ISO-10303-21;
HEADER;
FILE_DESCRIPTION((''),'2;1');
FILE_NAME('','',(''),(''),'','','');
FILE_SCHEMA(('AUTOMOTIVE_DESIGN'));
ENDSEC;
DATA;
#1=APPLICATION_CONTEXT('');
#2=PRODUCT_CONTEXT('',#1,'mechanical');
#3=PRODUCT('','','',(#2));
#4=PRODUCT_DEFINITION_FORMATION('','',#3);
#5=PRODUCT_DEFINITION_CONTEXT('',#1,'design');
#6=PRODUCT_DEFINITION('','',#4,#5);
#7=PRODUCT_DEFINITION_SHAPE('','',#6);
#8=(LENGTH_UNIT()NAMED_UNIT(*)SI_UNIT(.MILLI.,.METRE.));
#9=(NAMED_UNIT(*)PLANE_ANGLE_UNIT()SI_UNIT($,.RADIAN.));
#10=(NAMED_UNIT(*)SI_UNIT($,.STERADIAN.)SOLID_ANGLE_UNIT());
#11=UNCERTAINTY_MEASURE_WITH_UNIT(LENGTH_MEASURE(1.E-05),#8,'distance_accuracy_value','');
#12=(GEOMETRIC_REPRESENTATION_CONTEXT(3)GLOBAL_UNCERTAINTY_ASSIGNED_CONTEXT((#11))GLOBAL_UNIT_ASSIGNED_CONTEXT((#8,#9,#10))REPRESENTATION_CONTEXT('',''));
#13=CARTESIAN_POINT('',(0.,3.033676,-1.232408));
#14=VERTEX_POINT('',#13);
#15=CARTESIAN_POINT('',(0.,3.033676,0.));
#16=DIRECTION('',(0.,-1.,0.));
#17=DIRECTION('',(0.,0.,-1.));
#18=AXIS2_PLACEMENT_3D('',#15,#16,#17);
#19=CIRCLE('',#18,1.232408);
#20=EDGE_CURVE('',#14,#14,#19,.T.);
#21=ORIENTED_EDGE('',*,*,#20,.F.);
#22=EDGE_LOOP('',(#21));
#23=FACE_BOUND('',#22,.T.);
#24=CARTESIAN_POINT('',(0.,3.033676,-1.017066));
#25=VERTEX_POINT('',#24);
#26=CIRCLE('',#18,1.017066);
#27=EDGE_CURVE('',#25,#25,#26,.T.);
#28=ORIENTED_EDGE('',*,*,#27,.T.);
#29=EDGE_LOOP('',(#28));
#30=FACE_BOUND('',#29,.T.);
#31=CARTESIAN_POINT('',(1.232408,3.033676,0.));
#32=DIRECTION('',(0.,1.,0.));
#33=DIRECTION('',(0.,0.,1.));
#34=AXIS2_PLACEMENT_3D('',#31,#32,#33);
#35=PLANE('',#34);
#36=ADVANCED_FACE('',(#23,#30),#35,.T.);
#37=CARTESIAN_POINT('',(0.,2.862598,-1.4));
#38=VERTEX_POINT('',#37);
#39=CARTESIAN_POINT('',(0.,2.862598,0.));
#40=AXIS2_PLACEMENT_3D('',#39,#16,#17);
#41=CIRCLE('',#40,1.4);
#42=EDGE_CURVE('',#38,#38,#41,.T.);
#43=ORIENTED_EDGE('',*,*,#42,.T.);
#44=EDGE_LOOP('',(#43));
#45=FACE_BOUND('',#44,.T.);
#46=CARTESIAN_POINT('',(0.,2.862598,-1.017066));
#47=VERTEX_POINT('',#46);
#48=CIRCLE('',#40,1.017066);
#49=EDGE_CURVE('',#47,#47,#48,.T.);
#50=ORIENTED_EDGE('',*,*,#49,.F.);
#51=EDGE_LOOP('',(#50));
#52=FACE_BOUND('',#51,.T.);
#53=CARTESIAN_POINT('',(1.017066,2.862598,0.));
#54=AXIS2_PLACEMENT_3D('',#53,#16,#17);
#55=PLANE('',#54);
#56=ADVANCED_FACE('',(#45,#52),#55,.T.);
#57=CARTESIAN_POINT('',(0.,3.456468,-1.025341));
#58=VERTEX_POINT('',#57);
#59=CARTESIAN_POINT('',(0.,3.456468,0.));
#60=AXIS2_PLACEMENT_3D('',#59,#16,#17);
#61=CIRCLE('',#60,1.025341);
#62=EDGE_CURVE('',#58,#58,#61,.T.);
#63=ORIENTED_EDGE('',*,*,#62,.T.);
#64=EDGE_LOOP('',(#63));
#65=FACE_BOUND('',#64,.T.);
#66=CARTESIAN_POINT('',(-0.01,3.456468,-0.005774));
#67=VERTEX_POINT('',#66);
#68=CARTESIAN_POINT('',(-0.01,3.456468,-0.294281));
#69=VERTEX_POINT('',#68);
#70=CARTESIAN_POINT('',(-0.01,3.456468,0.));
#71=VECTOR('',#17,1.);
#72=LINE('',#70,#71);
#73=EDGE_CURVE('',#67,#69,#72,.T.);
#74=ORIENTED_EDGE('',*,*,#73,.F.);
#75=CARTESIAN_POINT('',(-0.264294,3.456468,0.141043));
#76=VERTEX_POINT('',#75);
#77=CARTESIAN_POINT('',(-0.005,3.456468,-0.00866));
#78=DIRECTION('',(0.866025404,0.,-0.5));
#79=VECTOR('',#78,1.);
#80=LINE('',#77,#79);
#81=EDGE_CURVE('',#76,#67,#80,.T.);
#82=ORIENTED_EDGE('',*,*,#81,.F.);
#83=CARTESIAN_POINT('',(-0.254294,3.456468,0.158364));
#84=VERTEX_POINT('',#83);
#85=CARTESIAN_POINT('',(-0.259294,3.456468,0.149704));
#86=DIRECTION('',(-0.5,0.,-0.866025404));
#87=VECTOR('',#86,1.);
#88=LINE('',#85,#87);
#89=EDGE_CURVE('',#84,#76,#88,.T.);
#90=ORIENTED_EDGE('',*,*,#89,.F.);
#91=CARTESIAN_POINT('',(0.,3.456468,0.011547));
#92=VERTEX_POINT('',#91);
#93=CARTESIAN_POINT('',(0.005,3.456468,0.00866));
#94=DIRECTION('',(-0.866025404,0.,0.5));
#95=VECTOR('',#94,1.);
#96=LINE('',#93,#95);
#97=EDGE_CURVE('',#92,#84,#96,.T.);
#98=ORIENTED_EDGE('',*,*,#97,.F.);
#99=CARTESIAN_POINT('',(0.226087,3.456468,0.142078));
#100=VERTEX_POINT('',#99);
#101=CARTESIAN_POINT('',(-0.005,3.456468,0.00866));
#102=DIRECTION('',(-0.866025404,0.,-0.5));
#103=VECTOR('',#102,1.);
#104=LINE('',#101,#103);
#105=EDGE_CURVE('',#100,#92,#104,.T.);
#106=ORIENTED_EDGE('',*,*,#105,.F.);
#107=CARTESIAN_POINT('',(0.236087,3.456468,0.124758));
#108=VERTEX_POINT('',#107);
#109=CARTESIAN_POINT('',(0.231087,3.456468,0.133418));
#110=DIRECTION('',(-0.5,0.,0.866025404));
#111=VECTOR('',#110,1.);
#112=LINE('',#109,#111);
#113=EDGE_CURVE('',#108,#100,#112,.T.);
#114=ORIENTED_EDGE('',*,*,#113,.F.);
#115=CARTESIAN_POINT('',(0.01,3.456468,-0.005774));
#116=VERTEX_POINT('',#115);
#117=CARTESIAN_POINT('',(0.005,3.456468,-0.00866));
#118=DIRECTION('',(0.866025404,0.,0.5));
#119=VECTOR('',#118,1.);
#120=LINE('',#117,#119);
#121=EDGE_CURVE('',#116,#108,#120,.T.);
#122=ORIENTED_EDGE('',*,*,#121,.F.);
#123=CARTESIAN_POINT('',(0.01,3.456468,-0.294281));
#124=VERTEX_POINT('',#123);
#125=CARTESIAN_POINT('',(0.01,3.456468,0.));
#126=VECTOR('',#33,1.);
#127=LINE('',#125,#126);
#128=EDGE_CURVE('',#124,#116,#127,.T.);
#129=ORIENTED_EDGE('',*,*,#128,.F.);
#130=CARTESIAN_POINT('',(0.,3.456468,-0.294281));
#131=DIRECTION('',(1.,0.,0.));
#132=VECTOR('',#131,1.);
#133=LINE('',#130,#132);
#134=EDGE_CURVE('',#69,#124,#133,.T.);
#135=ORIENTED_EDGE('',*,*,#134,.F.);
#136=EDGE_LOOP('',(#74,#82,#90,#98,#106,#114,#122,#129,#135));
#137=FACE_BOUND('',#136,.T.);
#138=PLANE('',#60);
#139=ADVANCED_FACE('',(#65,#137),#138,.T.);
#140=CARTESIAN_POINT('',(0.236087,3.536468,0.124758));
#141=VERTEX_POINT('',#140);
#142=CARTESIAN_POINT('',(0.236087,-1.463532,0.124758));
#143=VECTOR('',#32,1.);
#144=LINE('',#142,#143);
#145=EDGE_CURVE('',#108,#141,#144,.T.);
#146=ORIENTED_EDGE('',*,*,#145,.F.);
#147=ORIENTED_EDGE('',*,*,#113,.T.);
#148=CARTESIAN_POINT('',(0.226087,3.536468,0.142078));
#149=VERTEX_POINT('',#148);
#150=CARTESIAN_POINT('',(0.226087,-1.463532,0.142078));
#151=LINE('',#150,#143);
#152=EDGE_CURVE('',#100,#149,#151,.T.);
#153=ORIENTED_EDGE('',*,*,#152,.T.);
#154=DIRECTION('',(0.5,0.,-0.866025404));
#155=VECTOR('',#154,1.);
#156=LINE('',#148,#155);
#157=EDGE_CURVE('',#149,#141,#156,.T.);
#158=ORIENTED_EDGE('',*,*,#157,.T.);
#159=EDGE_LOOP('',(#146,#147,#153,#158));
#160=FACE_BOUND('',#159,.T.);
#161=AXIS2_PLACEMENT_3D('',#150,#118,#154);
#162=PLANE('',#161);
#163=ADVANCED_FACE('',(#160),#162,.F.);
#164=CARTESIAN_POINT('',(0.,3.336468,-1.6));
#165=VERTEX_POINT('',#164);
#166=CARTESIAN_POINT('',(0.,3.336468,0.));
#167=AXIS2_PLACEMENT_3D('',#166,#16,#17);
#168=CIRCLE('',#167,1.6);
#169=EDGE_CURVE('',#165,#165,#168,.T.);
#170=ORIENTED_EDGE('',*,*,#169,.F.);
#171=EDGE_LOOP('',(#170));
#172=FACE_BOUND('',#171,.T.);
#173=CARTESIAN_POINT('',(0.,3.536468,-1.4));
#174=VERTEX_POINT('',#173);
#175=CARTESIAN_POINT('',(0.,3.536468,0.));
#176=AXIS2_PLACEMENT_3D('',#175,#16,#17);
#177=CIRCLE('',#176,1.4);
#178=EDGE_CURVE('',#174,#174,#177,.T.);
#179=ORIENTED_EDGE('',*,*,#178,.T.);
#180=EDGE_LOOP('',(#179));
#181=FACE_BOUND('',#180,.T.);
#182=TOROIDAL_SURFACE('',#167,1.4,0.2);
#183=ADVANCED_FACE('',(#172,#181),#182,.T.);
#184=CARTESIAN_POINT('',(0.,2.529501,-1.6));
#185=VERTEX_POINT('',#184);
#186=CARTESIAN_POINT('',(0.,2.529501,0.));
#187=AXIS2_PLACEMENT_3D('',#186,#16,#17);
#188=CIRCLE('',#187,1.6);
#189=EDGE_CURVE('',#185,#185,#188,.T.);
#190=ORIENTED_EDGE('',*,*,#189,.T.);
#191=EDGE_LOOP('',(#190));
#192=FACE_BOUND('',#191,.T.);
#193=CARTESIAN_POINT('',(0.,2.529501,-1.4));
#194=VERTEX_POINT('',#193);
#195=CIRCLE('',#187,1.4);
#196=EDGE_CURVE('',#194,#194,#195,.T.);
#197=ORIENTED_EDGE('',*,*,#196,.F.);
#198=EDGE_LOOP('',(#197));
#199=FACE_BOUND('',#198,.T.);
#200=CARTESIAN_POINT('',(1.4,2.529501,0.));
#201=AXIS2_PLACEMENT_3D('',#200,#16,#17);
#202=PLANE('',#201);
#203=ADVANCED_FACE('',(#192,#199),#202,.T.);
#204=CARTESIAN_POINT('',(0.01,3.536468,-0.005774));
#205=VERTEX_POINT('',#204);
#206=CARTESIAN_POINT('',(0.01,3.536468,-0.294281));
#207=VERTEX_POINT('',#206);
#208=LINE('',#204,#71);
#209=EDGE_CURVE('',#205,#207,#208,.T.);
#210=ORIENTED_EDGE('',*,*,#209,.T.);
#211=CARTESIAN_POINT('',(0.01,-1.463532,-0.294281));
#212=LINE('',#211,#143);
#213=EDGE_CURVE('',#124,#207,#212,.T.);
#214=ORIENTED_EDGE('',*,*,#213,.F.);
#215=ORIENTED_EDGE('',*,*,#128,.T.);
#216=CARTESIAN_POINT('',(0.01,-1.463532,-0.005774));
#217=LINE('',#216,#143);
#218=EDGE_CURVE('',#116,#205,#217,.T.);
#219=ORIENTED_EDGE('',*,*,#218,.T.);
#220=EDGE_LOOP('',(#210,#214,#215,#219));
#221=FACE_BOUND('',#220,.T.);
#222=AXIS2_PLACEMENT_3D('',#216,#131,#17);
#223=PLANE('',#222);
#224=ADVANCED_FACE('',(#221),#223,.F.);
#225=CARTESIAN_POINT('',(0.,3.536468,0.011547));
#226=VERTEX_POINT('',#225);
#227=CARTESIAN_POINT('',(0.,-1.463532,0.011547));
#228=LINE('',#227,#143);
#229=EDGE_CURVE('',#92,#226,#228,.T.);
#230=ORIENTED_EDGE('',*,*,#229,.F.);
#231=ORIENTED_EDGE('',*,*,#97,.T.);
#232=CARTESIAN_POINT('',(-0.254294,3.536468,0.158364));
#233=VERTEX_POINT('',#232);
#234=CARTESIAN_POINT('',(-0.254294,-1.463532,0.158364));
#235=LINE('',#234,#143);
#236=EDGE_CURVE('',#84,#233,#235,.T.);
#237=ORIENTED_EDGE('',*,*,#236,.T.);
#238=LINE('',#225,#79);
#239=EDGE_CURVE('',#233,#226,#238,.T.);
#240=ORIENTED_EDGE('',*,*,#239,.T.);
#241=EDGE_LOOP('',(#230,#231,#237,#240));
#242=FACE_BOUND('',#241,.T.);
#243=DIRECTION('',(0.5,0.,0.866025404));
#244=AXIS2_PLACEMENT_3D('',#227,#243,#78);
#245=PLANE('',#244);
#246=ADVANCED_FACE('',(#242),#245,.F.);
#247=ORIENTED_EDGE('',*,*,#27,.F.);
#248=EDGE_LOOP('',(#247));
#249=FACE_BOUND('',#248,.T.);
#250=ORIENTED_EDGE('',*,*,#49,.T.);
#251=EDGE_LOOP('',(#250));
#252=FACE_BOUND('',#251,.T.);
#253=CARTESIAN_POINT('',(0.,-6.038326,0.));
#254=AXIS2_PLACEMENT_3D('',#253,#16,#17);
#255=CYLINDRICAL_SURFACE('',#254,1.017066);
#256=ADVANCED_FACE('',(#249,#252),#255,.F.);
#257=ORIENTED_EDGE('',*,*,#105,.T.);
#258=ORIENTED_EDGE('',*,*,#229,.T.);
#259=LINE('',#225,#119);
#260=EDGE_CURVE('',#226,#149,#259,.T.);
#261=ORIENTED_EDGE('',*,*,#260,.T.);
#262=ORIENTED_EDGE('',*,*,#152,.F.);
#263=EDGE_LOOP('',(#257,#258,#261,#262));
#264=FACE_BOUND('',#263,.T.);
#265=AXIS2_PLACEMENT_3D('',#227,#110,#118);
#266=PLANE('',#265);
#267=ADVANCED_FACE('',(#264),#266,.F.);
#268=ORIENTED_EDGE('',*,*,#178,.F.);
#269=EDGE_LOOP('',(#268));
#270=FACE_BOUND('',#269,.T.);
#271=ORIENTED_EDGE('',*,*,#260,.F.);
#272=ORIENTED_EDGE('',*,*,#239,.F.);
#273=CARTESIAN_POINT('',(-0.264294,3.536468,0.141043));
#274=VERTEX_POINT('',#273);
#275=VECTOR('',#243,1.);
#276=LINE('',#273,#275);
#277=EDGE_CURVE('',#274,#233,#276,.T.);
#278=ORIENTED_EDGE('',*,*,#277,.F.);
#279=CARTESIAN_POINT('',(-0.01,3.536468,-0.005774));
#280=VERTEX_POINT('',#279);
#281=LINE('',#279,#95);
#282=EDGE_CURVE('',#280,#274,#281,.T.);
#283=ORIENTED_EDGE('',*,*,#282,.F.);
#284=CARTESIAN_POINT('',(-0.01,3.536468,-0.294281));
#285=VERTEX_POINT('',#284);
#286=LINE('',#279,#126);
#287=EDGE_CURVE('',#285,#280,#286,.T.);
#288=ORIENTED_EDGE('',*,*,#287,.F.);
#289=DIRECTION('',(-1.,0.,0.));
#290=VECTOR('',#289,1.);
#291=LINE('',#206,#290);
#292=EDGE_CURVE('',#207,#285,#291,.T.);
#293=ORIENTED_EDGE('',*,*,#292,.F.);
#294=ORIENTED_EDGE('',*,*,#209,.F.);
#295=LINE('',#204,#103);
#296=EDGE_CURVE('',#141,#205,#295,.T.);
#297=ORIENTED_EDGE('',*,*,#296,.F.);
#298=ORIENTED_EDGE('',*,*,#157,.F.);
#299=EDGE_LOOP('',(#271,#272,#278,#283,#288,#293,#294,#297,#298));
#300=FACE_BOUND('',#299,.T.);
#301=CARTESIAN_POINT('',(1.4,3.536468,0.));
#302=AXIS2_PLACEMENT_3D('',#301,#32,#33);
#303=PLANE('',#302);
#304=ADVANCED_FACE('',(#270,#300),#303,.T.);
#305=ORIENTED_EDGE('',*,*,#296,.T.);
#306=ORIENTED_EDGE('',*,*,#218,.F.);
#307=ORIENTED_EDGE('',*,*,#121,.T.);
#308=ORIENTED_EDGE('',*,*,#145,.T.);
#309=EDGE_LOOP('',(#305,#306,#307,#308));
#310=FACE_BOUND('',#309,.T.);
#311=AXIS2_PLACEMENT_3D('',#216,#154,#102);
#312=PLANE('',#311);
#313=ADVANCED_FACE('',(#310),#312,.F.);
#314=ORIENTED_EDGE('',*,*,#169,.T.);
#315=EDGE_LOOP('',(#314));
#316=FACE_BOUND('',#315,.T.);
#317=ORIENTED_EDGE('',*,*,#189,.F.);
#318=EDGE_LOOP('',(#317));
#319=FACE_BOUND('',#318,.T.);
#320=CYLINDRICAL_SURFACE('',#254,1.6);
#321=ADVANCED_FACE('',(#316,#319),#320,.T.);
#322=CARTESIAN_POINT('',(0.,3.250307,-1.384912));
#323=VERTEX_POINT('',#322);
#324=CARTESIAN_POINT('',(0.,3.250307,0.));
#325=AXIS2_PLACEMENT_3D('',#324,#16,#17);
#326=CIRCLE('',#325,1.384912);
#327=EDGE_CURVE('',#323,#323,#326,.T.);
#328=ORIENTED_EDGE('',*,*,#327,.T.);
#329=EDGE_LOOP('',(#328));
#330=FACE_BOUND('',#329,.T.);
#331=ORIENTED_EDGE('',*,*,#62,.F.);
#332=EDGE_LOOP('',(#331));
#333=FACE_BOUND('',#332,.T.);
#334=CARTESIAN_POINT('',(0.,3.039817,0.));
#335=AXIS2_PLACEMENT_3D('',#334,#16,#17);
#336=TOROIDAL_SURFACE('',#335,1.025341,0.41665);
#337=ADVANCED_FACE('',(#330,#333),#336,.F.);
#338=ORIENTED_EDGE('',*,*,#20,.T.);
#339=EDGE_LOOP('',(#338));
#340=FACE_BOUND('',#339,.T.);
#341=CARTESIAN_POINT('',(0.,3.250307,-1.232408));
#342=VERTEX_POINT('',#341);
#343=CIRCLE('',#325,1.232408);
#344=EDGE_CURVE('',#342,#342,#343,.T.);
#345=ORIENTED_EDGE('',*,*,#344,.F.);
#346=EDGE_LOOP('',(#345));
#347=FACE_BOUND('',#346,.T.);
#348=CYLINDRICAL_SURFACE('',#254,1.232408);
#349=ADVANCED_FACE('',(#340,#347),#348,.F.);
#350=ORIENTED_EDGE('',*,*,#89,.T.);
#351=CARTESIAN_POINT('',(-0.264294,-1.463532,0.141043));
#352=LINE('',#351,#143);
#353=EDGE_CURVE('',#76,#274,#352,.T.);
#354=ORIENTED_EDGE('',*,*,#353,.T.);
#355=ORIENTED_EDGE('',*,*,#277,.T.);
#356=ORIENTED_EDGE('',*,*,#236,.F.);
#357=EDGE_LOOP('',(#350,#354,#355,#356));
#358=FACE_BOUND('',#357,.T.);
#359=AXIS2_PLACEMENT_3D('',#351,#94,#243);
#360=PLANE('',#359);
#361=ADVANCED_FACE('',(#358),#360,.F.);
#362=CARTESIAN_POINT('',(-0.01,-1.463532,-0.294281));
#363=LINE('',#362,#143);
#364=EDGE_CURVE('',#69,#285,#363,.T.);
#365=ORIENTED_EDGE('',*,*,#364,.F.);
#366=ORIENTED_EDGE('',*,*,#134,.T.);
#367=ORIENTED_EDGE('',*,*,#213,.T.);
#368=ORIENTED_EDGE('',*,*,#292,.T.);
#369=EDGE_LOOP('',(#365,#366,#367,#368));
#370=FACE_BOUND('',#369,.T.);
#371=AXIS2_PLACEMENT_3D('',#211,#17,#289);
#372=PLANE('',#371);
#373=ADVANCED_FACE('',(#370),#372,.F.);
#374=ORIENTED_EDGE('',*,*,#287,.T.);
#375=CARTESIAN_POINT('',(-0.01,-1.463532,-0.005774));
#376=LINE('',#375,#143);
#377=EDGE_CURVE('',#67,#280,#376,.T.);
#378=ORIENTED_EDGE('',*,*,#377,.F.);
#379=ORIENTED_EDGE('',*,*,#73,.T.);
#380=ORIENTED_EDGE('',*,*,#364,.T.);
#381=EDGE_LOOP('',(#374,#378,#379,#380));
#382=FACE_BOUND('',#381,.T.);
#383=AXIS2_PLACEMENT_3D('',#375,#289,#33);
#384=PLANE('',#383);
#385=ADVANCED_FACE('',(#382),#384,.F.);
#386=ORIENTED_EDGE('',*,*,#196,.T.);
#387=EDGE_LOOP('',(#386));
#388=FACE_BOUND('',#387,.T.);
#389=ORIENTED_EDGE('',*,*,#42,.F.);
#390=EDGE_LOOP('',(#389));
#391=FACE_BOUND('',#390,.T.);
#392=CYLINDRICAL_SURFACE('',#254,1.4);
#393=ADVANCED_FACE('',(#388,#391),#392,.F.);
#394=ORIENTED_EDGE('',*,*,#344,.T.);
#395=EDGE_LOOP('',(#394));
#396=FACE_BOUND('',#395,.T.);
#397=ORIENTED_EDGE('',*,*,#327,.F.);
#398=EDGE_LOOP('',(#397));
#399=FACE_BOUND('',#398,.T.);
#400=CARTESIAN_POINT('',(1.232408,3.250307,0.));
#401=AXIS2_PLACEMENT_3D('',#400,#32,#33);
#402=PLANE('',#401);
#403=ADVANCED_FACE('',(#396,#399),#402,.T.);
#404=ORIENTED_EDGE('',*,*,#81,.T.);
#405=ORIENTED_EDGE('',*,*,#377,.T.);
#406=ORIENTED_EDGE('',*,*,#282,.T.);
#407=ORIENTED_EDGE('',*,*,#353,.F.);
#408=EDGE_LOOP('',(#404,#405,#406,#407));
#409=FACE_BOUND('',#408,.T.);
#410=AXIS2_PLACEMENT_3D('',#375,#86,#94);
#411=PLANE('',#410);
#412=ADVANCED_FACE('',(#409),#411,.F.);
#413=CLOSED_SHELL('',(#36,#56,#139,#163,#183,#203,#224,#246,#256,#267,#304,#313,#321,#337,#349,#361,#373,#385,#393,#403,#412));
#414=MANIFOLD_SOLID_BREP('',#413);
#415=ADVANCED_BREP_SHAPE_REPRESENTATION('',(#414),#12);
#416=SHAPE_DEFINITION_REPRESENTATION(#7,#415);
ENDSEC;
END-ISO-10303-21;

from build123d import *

# Parameters (mm, degrees)
CUT_EXTRUDE_1_DEPTH = 5


with BuildPart() as part:
    # 草图1 → 旋转1 (revolve)
    with BuildSketch(Plane.XY, mode=Mode.PRIVATE) as revolve_1_sk:
        with BuildLine():
            Line((1.4, 3.536467832), (0, 3.536467832))
            Line((0, 3.536467832), (0, 3.456467832))
            Line((0, 3.456467832), (1.025340725, 3.456467832))
            ThreePointArc((1.025340725, 3.456467832), (1.232580693, 3.401271645), (1.384912004, 3.250307427))
            Line((1.384912004, 3.250307427), (1.232407542, 3.250307427))
            Line((1.232407542, 3.250307427), (1.232407542, 3.033675945))
            Line((1.232407542, 3.033675945), (1.017066371, 3.033675945))
            Line((1.017066371, 3.033675945), (1.017066371, 2.862597605))
            Line((1.017066371, 2.862597605), (1.4, 2.862597605))
            Line((1.4, 2.862597605), (1.4, 2.529500902))
            Line((1.4, 2.529500902), (1.6, 2.529500902))
            Line((1.6, 2.529500902), (1.6, 3.336467832))
            ThreePointArc((1.6, 3.336467832), (1.541421356, 3.477889188), (1.4, 3.536467832))
        make_face()
    revolve(revolve_1_sk.sketch.rotate(Axis((0, -6.038326455, 0), (0, 1, 0)), 90), axis=Axis((0, -6.038326455, 0), (0, 1, 0)))

    # 草图2 → 切除-拉伸1 (cut)
    with BuildSketch(Plane(origin=(0, 3.536467832, 0), x_dir=(1, 0, 0), z_dir=(0, 1, 0))):
        Polygon((0, -0.011547005), (-0.254294351, -0.158363917), (-0.264294351, -0.141043409), (-0.01, 0.005773503), (-0.01, 0.294280869), (0.01, 0.294280869), (0.01, 0.005773503), (0.236087164, -0.124757983), (0.226087164, -0.142078491), align=None)
    extrude(amount=-CUT_EXTRUDE_1_DEPTH, mode=Mode.SUBTRACT)


solid = part.part
